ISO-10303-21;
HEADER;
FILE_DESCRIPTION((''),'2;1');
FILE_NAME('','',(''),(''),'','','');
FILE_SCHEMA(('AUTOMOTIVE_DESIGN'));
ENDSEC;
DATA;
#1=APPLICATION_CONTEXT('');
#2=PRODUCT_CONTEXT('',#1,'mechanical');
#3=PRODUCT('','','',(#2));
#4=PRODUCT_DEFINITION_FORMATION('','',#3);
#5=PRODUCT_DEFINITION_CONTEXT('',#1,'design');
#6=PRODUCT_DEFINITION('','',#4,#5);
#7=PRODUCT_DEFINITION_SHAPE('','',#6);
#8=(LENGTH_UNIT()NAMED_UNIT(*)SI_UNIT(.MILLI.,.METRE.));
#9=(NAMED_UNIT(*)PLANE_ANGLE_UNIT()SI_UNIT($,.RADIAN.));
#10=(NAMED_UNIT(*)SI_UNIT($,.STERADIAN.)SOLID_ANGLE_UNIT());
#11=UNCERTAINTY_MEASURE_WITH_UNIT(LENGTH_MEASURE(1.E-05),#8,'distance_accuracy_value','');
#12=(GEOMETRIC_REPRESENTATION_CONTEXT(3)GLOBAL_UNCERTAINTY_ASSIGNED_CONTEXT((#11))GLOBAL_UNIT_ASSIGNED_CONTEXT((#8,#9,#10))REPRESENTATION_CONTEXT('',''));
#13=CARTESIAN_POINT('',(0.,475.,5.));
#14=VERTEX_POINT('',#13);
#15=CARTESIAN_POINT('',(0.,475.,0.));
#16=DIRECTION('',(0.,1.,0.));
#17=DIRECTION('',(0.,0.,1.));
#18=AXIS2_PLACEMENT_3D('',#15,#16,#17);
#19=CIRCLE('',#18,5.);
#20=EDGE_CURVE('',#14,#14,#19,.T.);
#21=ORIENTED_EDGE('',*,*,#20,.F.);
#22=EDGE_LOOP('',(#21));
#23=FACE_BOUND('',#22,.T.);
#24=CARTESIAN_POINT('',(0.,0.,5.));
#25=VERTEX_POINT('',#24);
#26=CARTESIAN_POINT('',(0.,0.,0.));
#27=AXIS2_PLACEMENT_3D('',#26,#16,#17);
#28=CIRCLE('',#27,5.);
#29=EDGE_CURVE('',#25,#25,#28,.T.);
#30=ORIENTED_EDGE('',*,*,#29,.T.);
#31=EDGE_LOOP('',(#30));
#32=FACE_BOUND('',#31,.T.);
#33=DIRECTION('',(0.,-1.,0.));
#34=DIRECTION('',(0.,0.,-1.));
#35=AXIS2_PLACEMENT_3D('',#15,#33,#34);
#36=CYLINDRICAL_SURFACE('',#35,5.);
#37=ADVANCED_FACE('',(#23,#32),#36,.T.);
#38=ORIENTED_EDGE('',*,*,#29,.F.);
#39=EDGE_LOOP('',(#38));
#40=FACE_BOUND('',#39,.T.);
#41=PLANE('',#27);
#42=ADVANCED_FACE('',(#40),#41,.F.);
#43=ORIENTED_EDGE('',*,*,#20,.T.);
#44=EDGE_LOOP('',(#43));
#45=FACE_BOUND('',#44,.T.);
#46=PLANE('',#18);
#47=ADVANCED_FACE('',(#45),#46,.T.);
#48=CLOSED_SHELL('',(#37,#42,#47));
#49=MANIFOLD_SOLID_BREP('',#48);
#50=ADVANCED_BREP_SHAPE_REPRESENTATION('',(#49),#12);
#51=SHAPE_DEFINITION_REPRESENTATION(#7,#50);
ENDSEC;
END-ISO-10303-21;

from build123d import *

# Parameters (mm, degrees)
SKETCH_1_R      = 5
EXTRUDE_1_DEPTH = 475


with BuildPart() as part:
    # 草图1 → 凸台-拉伸1 (new body)
    with BuildSketch(Plane(origin=(0, 0, 0), x_dir=(1, 0, 0), z_dir=(0, 1, 0))):
        Circle(SKETCH_1_R)
    extrude(amount=EXTRUDE_1_DEPTH)


solid = part.part
